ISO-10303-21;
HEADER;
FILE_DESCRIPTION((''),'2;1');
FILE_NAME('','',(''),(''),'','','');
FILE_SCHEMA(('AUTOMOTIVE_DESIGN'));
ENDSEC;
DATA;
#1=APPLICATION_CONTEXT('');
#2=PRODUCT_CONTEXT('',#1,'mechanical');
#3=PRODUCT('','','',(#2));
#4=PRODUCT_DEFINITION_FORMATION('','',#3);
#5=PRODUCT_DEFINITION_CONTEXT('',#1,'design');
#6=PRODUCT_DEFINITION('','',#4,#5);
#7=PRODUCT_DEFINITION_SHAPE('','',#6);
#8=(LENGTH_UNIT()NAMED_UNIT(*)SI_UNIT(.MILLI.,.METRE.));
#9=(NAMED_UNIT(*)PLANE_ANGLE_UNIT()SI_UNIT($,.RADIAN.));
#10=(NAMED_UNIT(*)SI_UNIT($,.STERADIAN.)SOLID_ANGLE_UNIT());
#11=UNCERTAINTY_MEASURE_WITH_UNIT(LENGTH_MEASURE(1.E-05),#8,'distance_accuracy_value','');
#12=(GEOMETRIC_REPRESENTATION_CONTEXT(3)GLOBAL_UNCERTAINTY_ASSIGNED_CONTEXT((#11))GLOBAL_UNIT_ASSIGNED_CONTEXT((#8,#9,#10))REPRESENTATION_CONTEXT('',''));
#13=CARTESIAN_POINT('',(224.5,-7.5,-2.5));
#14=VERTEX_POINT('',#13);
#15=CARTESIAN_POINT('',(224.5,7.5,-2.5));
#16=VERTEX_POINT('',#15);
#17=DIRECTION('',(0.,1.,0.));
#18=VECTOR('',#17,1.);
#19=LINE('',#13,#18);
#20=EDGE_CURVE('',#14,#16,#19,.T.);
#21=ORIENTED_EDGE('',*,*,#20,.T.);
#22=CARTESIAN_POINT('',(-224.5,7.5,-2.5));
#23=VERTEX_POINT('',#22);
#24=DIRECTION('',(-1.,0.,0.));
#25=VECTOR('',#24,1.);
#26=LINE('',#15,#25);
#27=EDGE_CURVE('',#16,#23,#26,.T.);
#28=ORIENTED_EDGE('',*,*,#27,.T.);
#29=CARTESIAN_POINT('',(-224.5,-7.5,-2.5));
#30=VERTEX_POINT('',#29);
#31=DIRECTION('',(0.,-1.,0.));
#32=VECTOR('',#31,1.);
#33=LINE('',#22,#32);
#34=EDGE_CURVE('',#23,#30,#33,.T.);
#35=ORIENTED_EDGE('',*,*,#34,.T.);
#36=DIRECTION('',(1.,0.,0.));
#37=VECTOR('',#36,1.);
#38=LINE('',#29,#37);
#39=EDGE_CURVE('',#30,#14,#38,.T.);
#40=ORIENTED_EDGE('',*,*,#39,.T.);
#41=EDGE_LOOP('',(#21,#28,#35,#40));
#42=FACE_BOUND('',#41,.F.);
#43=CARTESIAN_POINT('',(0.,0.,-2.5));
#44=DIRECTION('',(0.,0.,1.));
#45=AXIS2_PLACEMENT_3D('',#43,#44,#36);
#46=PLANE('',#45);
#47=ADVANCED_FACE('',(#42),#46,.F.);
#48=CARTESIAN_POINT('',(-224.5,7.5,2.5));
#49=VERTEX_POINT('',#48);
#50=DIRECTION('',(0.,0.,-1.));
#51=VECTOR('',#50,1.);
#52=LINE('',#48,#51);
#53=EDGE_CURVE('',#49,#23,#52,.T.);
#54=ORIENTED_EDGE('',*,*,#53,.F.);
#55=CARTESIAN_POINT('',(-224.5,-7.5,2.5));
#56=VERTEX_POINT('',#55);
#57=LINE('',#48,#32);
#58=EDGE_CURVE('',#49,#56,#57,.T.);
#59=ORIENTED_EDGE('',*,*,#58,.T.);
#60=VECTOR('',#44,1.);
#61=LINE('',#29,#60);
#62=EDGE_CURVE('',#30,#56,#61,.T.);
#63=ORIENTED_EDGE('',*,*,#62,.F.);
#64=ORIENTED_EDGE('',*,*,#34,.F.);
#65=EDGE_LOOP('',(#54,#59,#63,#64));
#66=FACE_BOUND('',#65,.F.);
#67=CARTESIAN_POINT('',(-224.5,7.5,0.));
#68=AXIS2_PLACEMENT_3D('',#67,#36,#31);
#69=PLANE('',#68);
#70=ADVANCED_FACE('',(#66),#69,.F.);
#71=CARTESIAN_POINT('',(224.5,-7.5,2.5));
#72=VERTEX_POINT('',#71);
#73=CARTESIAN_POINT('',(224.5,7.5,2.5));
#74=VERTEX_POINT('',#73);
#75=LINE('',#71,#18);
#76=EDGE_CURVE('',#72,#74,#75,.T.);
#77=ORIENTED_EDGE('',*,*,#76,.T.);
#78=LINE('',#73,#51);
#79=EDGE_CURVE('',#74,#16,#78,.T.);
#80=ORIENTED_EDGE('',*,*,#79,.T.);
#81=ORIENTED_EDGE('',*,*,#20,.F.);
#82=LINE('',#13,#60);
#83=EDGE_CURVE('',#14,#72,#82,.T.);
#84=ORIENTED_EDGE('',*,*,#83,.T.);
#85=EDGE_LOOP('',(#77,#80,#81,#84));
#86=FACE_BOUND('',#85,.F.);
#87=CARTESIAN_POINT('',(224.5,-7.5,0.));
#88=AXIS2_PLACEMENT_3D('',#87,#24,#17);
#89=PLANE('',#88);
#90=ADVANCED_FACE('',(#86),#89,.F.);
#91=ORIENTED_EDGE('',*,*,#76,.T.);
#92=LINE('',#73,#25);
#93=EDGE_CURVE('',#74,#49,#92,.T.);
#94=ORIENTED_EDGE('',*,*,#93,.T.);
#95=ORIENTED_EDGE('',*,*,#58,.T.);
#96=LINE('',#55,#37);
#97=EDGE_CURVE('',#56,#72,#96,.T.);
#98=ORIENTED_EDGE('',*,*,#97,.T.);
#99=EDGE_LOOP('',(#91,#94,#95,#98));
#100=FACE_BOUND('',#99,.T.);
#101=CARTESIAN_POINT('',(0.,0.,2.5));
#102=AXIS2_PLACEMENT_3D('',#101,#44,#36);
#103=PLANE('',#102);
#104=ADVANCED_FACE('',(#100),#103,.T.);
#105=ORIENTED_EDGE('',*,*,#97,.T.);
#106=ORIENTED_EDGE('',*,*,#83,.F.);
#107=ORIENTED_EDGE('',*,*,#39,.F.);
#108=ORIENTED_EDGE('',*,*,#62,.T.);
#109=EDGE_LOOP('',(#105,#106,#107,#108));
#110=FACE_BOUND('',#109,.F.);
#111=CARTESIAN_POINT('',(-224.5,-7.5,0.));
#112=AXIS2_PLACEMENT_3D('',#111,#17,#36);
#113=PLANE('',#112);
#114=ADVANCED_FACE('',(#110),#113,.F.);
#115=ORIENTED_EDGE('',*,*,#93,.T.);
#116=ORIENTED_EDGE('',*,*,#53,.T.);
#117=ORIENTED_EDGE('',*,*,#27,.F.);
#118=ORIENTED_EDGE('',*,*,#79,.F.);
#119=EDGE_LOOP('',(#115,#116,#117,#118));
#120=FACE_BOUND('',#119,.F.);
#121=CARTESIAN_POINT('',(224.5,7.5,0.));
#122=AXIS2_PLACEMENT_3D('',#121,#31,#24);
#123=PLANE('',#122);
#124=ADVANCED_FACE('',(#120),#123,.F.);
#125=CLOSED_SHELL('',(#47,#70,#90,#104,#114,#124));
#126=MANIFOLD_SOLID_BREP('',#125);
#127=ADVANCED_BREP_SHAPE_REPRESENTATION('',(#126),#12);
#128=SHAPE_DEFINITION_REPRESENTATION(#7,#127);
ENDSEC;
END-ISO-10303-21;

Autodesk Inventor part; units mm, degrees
ref_plane "YZ Plane" through (0, 0, 0) normal (1, 0, 0) x (0, 1, 0)
ref_plane "XZ Plane" through (0, 0, 0) normal (0, 1, 0) x (-1, 0, 0)
ref_plane "XY Plane" through (0, 0, 0) normal (0, 0, 1) x (1, 0, 0)
sketch "Sketch2" plane through (0, 0, 0) normal (0, 0, 1) x (1, 0, 0)
  line L0 (-224.5, -7.5) -> (224.5, -7.5)
  line L1 (224.5, -7.5) -> (224.5, 7.5)
  line L2 (224.5, 7.5) -> (-224.5, 7.5)
  line L3 (-224.5, 7.5) -> (-224.5, -7.5)
  line L4 (-224.5, -7.5) -> (224.5, 7.5) construction
  line L5 (224.5, -7.5) -> (-224.5, 7.5) construction
  point P0 (0, 0)
  dimension "d4" = 449
  dimension "d5" = 15
extrude "Extrusion2" add sketch "Sketch2" along normal mid plane 5
equation "\"d4\" = boxw - 2 * play"
equation "\"d5\" = supporth"
equation "\"d6\" = pvct"
equation "\"solhole\" = 3"
equation "\"solholespacing\" = 16"
equation "\"ssolw\" = 63"
equation "\"bsoll\" = 126"
equation "\"bsolw\" = 91"
equation "\"bsolh\" = 126"
equation "\"tapl\" = 31"
equation "\"tl\" = 32"
equation "\"eloboww\" = 25"
equation "\"pvct\" = 5"
equation "\"boxh\" = 258"
equation "\"supporth\" = 15"
equation "\"play\" = 0.5"
equation "\"pcbh\" = 46"
equation "\"pcbw\" = 76"
equation "\"arw\" = 54"
equation "\"arl\" = 102"
equation "\"pcbl\" = 86"
equation "\"psuh\" = 85"
equation "\"screenw\" = 197"
equation "\"screenl\" = 115"
equation "\"seph\" = 105"
equation "\"diapower\" = 16"
equation "\"distbubblewater\" = 82"
equation "\"distpumps\" = 75"
equation "\"pumpinner\" = 16"
equation "\"waterouter\" = 39"
equation "\"waterinner\" = 28"
equation "\"pumpouter\" = 25"
equation "\"airininner\" = 28"
equation "\"airoutinner\" = 28"
equation "\"airoutouter\" = 39"
equation "\"airinouter\" = 39"
equation "\"dialoadouter\" = 25"
equation "\"diaetapeouter\" = 36"
equation "\"diaetape\" = 25"
equation "\"diapowerouter\" = 25"
equation "\"diaphouter\" = 48"
equation "\"diaph\" = 32"
equation "\"diaload\" = 16"
equation "\"boxw\" = 450"
properties part number "sb_support_side" material "PVC-Piping"
